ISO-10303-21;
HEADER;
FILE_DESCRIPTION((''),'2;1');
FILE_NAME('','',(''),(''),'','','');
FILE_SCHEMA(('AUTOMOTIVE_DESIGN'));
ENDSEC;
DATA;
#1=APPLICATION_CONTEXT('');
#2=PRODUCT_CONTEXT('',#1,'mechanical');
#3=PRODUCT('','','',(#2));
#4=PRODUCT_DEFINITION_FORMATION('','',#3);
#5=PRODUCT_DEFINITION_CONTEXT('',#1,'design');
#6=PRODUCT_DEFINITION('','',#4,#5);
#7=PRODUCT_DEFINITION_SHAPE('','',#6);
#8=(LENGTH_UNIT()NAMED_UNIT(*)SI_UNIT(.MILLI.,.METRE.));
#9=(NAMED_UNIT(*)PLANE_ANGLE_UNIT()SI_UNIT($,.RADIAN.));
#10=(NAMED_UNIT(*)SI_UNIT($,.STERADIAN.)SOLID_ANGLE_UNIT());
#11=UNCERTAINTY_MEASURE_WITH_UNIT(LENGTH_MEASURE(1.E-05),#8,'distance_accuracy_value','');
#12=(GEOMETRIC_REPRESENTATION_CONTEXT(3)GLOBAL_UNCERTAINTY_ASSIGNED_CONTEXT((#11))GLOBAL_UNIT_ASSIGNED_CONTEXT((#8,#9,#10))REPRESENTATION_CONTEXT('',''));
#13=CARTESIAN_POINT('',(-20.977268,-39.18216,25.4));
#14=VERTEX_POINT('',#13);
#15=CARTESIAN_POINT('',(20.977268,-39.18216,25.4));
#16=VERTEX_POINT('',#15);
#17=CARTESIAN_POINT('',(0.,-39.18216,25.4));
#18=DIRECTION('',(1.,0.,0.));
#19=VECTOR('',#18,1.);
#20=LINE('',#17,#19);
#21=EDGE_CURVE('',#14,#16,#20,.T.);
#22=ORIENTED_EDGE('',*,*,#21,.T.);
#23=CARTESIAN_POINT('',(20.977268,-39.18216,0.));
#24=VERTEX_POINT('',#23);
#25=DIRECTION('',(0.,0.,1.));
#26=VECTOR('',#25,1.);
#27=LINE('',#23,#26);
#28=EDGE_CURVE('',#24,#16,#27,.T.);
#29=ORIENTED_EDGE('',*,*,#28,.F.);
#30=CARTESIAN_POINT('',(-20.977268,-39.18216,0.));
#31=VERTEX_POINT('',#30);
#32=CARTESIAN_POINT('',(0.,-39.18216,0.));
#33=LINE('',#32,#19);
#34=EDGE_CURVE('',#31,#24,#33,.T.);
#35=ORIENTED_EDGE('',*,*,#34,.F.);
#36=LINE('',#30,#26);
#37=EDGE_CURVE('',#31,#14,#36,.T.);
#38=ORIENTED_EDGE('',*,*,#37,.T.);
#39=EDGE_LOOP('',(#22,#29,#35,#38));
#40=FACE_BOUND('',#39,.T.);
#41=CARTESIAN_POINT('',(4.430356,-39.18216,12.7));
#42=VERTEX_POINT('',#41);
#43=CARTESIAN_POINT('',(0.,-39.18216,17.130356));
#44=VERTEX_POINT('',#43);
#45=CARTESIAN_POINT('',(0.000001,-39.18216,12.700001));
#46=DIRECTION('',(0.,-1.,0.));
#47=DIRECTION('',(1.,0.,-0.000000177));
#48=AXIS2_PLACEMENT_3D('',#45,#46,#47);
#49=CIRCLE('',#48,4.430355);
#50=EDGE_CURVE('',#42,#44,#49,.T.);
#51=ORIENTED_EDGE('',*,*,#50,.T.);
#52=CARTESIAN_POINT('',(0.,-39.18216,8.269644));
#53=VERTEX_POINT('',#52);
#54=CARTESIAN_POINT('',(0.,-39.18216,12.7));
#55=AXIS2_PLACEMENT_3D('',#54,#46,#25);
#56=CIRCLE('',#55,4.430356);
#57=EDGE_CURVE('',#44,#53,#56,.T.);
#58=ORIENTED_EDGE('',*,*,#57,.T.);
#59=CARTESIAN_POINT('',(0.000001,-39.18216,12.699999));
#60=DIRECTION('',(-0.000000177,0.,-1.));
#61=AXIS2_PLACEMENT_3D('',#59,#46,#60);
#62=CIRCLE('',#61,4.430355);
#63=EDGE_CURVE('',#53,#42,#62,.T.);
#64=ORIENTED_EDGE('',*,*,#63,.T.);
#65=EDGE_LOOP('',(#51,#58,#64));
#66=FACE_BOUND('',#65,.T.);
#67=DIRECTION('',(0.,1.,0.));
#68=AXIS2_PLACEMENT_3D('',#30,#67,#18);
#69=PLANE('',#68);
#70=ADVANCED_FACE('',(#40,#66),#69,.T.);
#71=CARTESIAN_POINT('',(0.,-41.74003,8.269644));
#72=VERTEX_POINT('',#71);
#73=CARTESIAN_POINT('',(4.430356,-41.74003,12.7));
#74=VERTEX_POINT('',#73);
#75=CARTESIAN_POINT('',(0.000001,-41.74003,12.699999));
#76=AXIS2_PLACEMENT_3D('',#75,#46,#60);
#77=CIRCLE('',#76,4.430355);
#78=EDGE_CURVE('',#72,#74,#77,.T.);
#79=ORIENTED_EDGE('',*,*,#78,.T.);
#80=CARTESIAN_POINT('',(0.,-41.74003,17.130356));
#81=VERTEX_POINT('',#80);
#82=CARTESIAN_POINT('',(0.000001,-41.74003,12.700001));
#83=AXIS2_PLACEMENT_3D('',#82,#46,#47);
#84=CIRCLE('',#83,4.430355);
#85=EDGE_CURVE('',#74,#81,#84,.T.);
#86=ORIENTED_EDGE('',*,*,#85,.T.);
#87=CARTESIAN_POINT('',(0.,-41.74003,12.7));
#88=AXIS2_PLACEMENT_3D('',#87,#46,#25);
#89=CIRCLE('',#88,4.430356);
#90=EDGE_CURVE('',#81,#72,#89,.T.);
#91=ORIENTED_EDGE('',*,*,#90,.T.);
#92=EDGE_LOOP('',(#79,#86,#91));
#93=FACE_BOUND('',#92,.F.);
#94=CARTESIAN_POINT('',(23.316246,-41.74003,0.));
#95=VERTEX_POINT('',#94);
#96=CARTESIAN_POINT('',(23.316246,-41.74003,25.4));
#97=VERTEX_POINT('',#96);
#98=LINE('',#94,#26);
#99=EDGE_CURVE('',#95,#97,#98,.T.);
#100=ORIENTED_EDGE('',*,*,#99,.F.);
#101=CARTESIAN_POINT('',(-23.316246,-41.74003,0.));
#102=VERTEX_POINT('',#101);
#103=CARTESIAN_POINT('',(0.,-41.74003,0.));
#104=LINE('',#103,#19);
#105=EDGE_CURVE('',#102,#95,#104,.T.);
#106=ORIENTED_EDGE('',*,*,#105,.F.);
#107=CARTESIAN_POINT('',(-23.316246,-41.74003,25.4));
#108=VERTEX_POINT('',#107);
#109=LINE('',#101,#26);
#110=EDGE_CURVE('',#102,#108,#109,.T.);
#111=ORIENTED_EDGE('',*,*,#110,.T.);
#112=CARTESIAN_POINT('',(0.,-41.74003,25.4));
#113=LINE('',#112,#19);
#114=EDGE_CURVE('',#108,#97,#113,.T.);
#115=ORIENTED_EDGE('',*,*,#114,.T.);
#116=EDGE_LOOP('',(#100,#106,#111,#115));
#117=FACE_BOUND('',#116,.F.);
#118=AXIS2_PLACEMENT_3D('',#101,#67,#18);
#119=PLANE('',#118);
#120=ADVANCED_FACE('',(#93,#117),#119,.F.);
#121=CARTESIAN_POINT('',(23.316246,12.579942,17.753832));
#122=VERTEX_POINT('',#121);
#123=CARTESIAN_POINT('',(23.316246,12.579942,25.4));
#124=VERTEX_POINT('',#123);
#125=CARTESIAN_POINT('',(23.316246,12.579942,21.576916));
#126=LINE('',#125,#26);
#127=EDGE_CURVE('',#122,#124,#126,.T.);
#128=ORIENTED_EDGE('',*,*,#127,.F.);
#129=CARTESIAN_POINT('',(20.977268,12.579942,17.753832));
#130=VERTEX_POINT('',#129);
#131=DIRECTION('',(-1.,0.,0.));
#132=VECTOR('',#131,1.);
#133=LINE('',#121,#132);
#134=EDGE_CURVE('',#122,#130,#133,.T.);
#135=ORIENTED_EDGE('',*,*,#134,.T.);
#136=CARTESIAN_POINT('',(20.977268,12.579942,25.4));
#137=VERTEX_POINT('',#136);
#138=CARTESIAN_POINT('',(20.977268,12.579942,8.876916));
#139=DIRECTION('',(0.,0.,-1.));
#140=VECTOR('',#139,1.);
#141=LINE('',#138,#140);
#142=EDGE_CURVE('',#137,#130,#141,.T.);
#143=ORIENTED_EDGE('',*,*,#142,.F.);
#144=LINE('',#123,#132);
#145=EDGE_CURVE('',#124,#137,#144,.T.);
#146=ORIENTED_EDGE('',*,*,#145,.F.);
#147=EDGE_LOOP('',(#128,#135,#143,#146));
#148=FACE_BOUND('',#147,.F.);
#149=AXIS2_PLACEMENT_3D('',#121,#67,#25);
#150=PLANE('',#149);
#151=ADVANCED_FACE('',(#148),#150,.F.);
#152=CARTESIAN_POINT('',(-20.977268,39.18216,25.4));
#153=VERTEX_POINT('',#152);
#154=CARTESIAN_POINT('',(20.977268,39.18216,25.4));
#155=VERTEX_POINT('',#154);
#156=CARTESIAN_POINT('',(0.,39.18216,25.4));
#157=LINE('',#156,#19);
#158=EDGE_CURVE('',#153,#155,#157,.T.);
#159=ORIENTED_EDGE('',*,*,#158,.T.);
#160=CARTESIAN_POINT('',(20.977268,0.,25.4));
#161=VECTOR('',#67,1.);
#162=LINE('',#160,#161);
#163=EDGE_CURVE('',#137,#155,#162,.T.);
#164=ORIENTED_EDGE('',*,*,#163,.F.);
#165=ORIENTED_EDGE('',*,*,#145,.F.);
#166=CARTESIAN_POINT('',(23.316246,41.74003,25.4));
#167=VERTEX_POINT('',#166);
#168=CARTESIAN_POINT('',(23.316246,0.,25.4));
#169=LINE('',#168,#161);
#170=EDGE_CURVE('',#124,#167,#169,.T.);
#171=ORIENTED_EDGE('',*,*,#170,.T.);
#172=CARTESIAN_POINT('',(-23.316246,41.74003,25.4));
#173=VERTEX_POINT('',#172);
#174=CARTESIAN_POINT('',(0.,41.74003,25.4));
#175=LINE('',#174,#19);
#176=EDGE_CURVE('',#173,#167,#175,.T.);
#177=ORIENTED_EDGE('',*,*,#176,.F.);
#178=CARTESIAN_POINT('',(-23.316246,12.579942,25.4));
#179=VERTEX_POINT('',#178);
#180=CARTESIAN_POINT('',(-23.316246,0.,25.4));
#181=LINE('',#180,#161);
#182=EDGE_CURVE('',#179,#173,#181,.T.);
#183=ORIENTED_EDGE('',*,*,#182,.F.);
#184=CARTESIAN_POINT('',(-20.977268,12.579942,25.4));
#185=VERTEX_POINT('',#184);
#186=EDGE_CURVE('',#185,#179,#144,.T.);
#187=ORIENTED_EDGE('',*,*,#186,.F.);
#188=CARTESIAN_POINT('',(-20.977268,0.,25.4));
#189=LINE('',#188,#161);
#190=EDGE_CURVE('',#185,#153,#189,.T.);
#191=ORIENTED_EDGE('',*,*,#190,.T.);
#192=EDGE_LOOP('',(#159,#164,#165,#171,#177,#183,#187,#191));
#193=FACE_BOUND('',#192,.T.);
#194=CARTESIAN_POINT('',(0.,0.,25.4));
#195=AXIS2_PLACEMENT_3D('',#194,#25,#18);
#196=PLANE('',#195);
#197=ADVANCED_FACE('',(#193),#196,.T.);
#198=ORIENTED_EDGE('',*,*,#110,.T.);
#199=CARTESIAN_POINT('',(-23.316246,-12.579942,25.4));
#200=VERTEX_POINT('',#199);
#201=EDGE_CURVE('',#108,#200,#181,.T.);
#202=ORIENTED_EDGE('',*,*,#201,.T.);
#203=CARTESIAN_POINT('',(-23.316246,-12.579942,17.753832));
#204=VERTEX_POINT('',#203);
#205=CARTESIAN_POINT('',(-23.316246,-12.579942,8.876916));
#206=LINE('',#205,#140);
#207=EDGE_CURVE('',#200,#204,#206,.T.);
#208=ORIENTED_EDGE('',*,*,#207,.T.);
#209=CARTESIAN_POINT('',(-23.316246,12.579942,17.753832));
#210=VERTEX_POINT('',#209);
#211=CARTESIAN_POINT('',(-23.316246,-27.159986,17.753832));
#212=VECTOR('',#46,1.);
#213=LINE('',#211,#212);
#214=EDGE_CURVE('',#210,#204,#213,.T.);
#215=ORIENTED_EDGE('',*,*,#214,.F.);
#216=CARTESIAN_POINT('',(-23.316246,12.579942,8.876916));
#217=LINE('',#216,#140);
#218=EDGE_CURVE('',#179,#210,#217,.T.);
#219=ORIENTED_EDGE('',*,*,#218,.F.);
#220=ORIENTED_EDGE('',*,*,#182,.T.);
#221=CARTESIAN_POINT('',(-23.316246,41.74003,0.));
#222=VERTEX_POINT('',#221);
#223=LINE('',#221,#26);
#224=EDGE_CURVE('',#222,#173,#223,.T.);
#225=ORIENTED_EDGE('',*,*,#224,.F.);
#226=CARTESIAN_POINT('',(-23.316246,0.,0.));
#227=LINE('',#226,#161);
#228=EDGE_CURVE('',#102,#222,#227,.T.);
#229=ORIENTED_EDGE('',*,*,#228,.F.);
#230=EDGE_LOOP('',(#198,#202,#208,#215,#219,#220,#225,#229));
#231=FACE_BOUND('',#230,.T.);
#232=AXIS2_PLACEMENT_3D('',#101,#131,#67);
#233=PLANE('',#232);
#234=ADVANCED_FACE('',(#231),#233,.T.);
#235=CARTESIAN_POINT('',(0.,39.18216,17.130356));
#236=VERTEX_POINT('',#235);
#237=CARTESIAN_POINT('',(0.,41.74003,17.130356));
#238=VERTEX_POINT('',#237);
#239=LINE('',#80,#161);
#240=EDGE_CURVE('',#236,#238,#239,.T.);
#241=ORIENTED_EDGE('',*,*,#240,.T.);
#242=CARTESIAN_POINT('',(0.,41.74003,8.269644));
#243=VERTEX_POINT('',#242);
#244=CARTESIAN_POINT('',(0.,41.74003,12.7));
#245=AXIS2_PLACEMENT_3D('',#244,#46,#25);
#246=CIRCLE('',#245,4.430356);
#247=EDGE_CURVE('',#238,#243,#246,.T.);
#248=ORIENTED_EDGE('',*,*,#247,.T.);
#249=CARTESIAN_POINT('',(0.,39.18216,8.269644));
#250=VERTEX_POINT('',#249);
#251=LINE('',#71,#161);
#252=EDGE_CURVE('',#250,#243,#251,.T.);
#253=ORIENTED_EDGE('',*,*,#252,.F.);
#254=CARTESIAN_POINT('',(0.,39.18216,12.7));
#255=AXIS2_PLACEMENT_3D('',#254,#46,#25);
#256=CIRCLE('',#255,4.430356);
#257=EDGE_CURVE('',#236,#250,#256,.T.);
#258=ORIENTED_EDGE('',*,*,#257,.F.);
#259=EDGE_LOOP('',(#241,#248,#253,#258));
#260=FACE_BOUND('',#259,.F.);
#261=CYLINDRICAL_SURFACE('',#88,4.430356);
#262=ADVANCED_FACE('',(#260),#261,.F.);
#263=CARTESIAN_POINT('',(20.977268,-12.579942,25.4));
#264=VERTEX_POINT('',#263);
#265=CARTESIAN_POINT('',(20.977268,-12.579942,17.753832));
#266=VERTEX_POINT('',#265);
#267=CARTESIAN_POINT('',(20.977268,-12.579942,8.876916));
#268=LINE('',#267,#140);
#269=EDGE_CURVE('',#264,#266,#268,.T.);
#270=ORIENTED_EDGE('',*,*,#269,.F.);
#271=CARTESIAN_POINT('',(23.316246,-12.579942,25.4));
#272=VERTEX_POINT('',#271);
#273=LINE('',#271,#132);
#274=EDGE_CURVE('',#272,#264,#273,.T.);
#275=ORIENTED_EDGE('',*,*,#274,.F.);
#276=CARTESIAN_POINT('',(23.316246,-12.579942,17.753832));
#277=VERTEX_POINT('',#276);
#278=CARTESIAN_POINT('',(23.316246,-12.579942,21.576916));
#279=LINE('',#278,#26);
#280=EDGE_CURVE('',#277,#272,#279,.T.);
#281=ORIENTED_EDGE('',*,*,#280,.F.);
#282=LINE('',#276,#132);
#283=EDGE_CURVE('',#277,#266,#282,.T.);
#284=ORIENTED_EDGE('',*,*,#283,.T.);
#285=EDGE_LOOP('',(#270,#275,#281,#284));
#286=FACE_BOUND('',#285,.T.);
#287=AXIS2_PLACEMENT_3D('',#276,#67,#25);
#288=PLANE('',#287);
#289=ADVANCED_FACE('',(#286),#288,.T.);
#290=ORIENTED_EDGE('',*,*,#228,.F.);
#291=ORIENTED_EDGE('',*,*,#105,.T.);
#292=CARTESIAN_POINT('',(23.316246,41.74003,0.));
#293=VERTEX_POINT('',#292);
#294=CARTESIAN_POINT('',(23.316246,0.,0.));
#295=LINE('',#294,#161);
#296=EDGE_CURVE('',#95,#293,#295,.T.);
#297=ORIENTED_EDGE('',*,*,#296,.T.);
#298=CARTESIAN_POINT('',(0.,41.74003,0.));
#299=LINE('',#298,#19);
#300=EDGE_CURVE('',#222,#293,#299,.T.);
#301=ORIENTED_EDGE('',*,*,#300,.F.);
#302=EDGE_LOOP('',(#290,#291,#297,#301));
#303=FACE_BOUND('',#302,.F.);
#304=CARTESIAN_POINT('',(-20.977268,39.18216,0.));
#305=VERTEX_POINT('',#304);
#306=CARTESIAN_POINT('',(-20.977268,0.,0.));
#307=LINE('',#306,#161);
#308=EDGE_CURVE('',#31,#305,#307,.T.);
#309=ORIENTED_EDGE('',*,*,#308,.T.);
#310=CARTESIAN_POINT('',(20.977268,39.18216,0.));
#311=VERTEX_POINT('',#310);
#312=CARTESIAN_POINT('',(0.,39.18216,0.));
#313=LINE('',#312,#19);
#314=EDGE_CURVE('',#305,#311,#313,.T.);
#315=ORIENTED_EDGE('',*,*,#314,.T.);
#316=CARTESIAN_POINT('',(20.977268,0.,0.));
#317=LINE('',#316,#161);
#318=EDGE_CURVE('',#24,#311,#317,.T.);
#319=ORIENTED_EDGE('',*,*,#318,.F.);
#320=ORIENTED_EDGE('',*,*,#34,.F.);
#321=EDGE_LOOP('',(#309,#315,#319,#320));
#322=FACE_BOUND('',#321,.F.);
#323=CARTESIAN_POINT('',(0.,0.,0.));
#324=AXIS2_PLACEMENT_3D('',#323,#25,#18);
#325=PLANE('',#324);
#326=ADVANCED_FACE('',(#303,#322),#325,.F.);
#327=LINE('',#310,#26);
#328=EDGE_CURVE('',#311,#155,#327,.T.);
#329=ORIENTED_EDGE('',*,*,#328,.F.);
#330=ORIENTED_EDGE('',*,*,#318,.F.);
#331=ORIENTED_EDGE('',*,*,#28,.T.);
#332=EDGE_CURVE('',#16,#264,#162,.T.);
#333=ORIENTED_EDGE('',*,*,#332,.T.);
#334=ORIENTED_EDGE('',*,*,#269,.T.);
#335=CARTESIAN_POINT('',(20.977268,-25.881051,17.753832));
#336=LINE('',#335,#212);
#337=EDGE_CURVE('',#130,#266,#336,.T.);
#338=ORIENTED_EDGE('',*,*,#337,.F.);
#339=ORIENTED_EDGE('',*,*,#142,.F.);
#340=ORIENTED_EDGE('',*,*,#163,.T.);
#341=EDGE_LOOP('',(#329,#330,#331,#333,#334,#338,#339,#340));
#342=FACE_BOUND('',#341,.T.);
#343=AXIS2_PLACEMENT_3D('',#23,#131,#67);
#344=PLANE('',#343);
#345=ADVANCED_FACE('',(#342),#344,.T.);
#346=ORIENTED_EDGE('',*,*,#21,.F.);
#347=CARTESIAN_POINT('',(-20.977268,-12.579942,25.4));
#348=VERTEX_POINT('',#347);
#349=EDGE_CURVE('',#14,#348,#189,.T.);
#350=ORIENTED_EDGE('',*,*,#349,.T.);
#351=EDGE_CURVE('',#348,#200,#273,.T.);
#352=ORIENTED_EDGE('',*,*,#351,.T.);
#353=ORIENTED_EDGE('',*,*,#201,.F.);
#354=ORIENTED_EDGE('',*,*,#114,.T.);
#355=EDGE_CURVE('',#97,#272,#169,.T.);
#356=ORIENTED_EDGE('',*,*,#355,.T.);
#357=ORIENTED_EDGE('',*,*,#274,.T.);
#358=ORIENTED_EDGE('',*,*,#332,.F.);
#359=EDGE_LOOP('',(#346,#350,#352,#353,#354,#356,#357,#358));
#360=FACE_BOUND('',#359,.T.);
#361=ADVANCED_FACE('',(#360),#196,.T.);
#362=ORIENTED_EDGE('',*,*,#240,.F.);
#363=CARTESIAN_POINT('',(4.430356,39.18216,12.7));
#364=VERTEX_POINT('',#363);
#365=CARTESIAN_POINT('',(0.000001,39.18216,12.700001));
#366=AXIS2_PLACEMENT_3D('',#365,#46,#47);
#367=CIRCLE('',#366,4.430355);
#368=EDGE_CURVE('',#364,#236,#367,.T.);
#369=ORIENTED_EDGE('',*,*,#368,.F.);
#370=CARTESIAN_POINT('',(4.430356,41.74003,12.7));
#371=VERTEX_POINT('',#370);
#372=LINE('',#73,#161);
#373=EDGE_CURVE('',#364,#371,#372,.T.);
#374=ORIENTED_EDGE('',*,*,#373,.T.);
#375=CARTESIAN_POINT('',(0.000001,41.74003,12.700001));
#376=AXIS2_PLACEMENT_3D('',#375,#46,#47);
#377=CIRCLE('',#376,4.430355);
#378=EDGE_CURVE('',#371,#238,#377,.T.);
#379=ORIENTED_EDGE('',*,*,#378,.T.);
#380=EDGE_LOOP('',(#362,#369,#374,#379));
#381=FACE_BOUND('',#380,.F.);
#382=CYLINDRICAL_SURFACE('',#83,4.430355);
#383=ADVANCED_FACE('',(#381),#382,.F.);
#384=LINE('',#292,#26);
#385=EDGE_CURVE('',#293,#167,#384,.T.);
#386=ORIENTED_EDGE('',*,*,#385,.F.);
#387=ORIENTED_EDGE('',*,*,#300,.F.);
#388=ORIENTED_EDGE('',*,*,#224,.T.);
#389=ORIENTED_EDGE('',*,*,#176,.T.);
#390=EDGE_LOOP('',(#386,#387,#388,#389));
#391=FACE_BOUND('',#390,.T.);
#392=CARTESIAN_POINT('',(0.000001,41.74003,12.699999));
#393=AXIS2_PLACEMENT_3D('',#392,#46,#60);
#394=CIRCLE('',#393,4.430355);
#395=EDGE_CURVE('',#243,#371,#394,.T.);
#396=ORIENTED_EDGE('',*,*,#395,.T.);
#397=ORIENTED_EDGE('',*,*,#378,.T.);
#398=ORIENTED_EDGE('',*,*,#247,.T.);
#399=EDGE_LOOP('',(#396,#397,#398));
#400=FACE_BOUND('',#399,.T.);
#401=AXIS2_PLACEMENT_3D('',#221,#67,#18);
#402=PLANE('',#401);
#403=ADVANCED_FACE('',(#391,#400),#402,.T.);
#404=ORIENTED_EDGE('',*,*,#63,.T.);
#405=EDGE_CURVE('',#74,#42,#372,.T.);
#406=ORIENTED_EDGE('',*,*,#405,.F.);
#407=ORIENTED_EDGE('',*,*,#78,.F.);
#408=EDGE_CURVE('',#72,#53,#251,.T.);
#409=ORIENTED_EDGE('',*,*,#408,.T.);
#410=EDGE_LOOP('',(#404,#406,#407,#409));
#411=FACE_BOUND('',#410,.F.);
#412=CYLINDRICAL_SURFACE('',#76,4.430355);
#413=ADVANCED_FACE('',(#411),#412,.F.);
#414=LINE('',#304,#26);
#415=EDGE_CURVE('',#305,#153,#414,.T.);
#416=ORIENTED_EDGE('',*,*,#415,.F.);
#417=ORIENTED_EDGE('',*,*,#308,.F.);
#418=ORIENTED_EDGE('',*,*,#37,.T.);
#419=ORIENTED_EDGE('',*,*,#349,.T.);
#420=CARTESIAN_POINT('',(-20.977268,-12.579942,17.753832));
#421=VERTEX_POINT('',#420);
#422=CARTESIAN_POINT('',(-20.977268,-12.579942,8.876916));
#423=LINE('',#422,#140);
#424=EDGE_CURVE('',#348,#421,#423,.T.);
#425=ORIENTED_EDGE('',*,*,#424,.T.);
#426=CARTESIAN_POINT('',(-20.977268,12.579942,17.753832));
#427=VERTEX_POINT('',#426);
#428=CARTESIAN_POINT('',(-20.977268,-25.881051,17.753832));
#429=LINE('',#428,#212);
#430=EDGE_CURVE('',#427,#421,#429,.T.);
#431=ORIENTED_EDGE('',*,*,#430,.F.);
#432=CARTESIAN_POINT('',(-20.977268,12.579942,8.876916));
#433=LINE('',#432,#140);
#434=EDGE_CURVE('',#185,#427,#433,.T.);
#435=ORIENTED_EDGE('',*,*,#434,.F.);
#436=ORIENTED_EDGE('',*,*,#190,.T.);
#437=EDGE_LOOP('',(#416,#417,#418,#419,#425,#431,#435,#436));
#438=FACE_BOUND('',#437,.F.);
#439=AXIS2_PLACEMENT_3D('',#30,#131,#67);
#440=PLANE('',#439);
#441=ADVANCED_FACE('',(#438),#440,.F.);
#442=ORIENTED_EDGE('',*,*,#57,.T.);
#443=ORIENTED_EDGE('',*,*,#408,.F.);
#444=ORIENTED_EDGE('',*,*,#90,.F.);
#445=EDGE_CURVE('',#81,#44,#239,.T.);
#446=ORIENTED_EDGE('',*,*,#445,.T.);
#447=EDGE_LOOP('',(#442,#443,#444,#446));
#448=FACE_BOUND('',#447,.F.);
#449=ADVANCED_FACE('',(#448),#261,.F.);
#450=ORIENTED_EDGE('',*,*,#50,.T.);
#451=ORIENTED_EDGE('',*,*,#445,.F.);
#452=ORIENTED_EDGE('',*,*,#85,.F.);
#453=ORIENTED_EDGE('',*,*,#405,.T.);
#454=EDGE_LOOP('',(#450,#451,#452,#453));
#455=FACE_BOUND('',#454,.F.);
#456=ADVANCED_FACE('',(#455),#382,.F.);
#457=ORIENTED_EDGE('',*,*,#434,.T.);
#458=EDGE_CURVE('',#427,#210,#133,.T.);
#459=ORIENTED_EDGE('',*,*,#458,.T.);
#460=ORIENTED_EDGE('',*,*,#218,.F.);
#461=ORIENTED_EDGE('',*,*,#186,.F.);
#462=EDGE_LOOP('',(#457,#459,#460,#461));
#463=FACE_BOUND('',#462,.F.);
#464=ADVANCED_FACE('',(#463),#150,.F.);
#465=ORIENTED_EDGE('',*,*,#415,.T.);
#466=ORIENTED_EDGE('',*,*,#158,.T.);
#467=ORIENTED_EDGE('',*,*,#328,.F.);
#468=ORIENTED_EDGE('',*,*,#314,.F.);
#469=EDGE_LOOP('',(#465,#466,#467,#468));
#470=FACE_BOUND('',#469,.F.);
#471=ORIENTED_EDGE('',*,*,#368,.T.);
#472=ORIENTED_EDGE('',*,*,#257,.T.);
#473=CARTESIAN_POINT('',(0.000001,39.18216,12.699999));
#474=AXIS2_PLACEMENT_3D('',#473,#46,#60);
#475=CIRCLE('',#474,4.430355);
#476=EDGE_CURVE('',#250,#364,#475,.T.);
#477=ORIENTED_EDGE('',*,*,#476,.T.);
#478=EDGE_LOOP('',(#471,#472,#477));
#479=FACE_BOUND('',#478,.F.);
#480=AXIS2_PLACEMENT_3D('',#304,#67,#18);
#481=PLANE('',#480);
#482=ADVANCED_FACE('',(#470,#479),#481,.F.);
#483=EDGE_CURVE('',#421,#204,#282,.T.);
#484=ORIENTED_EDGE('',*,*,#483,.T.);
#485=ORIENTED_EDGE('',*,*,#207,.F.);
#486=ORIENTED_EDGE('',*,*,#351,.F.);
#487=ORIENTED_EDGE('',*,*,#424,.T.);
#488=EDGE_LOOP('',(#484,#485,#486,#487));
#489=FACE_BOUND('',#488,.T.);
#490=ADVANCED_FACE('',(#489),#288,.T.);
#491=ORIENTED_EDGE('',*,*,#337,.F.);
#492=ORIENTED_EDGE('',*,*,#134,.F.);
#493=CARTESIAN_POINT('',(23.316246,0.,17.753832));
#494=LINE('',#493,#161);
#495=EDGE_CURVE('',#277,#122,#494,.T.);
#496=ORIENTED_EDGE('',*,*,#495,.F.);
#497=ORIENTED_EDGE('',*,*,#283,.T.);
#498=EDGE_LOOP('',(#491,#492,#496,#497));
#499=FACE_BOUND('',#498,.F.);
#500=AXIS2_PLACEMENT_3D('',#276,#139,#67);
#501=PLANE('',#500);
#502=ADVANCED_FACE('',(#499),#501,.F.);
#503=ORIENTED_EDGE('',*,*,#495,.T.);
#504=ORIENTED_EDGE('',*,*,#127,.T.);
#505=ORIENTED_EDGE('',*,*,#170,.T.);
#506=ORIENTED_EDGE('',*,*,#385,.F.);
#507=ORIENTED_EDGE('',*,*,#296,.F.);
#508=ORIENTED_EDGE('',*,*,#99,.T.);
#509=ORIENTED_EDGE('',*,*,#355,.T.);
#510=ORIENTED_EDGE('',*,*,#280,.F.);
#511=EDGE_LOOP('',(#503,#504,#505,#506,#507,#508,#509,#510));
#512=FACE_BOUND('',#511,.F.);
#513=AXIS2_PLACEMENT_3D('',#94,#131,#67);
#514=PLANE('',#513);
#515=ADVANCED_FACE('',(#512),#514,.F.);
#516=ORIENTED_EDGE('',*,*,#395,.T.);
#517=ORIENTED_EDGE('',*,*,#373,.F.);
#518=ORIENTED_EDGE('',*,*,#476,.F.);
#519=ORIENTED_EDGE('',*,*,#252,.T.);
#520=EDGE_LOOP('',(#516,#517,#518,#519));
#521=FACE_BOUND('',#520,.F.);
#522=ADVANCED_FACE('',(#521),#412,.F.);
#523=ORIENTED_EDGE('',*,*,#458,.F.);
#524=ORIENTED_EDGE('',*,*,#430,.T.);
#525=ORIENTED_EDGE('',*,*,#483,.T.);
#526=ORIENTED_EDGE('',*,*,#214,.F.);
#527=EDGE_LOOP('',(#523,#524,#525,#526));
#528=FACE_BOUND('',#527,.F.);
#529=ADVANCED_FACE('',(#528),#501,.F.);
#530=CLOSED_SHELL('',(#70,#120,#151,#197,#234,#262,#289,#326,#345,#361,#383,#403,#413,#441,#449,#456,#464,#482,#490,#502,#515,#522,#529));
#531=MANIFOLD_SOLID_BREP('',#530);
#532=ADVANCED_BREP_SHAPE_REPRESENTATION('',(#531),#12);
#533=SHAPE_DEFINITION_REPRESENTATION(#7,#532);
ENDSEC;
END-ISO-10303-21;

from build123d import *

# Parameters (mm, degrees)
F0_W     = 46.632492
F0_H     = 83.48006
F0_W_2   = 41.954536
F0_H_2   = 78.36432
F1_DEPTH = 25.4
F2_W     = 25.159884
F2_H     = 7.646168
F3_DEPTH = 76.2
F5_DEPTH = 127


with BuildPart() as f1:
    # F0 (on Top) → F1 (new body)
    with BuildSketch(Plane.XY):
        Rectangle(F0_W, F0_H)
        Rectangle(F0_W_2, F0_H_2, mode=Mode.SUBTRACT)
    extrude(amount=F1_DEPTH)

    # F2 (on face) → F3 (cut)
    with BuildSketch(Plane.YZ.offset(23.316246)):
        with Locations((0, 21.576916)):
            Rectangle(F2_W, F2_H)
    extrude(amount=-F3_DEPTH, mode=Mode.SUBTRACT)

    # F4 (on face) → F5 (cut)
    with BuildSketch(Plane.XZ.offset(41.74003)):
        with BuildLine():
            Line((0, 17.130356), (0, 8.269644))
            ThreePointArc((0, 8.269644), (3.132735, 9.567265), (4.430356, 12.7))
            ThreePointArc((4.430356, 12.7), (3.132735, 15.832735), (0, 17.130356))
        make_face()
        with BuildLine():
            ThreePointArc((0, 17.130356), (-4.430356, 12.7), (0, 8.269644))
            Line((0, 8.269644), (0, 17.130356))
        make_face()
    extrude(amount=-F5_DEPTH, mode=Mode.SUBTRACT)


solid = f1.part
